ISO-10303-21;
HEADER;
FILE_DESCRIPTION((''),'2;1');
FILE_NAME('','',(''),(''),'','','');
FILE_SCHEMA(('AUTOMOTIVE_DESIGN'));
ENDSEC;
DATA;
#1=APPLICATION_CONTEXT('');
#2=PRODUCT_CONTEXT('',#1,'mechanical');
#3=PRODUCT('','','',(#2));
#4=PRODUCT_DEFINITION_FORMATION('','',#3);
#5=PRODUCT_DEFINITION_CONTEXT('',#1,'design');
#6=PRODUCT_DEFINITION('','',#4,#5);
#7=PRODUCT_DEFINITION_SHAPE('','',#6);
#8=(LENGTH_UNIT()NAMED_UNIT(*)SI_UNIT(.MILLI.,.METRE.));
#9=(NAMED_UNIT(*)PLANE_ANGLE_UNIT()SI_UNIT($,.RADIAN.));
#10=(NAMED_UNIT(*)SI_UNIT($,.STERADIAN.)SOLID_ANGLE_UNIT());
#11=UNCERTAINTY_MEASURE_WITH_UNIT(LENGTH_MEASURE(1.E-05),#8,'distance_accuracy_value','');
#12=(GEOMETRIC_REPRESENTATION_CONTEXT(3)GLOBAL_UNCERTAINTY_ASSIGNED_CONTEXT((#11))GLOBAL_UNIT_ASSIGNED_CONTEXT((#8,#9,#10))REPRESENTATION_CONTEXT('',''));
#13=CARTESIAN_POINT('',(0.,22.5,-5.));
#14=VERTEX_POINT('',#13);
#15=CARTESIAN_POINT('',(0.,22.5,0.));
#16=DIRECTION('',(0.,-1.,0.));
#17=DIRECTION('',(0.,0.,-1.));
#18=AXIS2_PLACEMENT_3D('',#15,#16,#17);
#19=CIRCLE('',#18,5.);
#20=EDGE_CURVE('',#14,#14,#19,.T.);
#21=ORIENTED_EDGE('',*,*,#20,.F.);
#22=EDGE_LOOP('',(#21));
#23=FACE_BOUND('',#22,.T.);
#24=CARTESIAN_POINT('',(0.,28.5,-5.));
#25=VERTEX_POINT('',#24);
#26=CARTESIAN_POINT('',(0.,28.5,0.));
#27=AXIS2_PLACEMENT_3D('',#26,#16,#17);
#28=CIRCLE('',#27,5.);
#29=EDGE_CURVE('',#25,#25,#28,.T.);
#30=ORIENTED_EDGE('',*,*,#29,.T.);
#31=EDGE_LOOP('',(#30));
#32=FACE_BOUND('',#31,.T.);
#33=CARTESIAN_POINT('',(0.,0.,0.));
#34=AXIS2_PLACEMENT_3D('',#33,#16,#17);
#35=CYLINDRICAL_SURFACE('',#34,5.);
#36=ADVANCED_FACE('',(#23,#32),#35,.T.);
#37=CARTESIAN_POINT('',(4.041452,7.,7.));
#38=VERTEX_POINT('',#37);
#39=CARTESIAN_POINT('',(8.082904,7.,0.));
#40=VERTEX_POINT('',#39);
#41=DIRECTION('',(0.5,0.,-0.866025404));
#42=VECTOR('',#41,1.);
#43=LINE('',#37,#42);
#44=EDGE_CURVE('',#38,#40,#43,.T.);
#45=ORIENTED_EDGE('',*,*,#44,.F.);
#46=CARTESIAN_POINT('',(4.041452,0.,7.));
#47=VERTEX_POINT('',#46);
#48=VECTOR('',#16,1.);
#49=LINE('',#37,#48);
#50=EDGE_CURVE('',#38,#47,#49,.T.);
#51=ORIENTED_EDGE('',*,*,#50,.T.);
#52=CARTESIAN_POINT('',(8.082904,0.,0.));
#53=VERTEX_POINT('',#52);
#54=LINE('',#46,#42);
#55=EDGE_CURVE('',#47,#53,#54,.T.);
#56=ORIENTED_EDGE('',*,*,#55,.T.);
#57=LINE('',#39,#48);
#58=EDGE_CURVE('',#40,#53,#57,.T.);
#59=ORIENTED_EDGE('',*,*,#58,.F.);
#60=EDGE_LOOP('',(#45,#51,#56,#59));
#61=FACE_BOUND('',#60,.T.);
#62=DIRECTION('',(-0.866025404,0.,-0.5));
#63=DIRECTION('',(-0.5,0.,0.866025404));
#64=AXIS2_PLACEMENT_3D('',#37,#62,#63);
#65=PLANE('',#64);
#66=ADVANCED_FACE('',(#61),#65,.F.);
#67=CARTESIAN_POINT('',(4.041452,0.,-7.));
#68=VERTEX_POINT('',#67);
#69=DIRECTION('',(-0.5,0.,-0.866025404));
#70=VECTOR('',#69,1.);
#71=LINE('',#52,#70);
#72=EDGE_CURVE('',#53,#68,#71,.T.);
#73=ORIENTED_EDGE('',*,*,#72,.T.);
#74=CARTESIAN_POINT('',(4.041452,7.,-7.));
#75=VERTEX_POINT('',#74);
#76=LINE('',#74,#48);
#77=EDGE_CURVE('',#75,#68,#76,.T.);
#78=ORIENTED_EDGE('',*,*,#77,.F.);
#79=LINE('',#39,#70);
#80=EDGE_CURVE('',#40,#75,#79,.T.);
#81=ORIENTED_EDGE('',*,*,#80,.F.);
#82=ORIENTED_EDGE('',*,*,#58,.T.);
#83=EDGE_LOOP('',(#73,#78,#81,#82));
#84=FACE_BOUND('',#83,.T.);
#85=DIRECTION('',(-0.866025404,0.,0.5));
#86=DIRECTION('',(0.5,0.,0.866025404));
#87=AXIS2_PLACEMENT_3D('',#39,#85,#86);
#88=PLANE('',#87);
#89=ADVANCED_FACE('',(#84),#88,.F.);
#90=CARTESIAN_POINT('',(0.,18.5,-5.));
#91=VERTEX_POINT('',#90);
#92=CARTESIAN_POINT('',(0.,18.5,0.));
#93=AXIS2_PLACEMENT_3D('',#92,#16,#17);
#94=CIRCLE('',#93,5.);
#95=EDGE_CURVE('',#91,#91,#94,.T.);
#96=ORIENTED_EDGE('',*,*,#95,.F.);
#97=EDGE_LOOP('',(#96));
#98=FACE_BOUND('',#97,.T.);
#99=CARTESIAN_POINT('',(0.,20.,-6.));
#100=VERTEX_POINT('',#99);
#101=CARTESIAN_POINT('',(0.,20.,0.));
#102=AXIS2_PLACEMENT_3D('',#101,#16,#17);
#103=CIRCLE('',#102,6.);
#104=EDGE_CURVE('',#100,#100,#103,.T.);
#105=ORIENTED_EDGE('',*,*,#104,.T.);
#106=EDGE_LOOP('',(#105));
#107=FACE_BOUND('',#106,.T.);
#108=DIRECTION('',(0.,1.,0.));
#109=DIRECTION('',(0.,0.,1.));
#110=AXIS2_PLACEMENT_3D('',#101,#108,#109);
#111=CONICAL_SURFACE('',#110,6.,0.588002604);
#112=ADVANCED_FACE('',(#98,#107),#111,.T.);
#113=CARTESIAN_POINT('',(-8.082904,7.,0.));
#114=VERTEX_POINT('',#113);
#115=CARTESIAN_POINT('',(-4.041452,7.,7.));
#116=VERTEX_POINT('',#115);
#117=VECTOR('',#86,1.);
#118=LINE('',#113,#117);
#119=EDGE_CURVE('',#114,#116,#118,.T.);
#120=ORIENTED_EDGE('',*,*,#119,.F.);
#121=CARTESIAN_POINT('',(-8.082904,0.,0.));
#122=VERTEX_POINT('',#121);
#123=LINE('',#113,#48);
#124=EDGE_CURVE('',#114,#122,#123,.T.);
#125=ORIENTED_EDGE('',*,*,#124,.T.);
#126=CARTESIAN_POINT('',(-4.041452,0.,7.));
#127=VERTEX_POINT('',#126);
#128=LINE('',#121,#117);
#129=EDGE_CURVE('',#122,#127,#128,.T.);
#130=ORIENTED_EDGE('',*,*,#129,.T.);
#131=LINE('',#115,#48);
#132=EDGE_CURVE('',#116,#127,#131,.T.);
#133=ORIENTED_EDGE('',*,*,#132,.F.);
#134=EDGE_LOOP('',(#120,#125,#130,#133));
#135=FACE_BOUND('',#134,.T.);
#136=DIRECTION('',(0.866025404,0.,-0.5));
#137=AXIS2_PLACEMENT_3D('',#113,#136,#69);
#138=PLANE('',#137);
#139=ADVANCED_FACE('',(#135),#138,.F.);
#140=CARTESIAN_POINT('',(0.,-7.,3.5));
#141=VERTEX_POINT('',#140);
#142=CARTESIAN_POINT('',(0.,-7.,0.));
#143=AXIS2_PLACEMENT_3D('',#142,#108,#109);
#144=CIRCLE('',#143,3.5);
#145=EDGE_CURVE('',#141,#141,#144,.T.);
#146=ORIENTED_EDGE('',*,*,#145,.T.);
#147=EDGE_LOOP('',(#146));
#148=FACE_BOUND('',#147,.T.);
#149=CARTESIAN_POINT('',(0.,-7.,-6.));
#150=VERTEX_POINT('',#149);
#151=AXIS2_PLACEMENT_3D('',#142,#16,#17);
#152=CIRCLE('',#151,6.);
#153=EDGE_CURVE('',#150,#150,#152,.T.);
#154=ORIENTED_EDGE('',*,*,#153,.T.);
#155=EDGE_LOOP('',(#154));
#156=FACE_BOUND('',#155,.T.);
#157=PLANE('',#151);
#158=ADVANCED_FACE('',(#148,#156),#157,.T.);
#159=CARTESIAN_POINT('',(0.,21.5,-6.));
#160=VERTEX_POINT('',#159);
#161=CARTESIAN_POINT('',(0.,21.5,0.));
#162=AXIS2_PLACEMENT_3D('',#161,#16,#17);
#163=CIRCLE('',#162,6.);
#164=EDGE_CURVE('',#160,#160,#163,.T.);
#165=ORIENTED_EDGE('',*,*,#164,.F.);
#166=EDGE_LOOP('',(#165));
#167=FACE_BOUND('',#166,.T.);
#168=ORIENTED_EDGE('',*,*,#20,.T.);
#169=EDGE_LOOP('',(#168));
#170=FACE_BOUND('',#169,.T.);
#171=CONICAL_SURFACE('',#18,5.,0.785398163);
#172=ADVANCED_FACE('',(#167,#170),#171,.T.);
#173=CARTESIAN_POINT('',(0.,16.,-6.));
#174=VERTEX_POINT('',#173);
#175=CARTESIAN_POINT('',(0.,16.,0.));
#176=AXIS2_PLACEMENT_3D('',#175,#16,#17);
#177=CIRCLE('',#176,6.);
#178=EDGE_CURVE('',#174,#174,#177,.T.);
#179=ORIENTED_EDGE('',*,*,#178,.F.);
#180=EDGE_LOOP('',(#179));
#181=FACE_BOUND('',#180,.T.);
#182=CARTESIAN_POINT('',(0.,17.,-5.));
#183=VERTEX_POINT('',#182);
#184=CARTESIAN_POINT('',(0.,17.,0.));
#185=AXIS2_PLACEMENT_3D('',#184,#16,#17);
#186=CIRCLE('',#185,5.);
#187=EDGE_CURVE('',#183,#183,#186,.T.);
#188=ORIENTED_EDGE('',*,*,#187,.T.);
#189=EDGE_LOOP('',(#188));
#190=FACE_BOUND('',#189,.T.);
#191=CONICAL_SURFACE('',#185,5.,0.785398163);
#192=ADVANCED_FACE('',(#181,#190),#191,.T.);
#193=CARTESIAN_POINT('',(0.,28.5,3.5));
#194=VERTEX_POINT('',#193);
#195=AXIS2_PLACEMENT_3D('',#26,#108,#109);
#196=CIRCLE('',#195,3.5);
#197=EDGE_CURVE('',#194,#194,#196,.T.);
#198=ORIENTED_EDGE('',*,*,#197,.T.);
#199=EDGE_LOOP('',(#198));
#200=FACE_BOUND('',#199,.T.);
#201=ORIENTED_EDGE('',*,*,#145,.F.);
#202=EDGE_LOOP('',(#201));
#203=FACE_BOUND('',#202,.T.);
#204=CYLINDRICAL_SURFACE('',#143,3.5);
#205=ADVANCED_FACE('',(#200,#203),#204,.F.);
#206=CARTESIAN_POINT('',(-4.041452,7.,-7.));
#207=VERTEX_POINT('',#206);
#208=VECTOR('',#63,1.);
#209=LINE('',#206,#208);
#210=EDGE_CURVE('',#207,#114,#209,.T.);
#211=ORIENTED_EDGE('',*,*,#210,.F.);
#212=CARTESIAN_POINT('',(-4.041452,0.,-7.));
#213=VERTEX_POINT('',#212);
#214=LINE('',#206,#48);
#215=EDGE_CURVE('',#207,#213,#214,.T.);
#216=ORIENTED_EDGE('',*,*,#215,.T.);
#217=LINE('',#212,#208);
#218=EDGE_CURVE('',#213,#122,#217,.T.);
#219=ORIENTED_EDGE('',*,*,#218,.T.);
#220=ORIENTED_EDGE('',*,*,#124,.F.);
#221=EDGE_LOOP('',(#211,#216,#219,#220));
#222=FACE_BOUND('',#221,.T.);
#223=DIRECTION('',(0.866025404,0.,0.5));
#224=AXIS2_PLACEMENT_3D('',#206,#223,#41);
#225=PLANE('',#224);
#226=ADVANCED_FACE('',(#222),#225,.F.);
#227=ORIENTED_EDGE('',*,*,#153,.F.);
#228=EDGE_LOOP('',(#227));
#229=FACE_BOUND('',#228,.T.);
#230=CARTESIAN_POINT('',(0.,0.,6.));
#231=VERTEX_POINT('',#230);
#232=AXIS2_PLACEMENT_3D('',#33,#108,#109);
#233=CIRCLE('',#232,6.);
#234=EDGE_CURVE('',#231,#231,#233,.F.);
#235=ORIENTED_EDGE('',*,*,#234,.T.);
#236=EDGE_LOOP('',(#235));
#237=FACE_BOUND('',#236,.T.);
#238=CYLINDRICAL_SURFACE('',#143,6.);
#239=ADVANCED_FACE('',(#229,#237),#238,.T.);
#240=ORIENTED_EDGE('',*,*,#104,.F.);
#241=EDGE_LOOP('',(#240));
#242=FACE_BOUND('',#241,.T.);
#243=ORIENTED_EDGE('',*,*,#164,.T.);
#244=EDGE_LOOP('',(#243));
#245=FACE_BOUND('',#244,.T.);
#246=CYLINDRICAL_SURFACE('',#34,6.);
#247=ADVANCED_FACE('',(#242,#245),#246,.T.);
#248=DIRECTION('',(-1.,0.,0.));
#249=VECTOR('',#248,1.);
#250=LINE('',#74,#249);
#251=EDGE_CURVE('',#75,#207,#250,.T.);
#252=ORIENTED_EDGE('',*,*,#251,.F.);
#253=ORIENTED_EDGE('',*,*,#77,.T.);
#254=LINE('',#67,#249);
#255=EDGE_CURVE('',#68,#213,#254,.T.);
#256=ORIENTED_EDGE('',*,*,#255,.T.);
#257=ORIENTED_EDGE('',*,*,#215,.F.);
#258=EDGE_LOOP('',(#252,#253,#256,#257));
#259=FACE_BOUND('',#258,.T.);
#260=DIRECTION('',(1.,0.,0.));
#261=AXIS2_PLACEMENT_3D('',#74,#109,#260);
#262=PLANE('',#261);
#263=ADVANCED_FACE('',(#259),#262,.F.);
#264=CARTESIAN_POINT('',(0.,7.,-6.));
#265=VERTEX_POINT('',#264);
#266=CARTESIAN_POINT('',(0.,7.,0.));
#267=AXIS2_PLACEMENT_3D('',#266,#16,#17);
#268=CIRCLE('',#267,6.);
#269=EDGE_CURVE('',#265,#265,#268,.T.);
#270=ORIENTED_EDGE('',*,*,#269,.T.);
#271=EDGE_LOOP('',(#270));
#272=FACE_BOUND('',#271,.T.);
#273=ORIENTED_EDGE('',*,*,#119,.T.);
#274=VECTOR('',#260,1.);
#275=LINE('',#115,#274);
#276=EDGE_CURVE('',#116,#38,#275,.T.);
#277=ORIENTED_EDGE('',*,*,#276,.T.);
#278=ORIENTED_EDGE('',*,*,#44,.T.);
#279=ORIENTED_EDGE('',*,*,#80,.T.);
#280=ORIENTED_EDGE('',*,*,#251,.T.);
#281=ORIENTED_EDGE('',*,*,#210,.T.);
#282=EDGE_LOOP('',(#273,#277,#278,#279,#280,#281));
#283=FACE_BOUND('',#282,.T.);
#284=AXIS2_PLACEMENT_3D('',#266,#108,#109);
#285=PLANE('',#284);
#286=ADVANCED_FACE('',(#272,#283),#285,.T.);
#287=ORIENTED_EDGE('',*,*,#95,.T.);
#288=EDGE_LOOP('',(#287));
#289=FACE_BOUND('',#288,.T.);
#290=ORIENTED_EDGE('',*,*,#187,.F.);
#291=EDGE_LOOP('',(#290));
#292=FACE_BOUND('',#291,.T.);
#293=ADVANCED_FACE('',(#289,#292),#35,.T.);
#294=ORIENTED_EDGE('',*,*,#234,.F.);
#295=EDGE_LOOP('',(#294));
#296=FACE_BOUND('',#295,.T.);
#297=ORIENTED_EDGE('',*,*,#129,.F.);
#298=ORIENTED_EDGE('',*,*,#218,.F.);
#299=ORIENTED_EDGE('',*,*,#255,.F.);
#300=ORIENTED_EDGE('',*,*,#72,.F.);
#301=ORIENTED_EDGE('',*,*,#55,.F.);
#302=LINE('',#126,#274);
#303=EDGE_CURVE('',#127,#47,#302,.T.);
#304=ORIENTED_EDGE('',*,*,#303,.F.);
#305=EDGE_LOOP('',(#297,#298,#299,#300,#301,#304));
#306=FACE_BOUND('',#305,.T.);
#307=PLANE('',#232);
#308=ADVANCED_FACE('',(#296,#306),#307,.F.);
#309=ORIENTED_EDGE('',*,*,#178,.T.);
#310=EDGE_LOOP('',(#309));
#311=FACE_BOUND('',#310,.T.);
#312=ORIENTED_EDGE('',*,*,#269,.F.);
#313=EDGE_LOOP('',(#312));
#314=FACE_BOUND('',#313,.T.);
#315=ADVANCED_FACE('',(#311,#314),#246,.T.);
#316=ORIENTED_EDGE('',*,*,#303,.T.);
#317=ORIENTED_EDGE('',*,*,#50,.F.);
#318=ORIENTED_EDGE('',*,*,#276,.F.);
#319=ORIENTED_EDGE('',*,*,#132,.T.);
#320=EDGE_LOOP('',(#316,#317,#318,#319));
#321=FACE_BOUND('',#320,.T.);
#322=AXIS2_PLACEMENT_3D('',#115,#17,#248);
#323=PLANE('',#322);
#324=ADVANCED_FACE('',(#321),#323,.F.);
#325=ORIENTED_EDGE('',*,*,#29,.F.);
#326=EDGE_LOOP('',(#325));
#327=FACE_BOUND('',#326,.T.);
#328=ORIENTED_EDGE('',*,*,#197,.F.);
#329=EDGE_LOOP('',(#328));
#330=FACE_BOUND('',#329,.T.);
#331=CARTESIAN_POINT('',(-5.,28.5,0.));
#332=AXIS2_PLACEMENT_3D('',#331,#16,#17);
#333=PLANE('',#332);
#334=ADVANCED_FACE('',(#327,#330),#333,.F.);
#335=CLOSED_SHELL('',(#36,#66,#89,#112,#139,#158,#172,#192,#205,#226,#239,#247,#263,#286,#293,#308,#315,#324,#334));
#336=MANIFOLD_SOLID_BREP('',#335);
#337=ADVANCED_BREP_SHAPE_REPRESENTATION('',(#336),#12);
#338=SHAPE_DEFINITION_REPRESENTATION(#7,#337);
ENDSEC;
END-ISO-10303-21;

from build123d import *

# Parameters (mm, degrees)
AUFSATZ_LINEAR_AUSTRAGEN1_DEPTH = 7
SKIZZE4_R                       = 6
AUFSATZ_LINEAR_AUSTRAGEN3_DEPTH = 7
SKIZZE5_R                       = 3.5
SCHNITT_LINEAR_AUSTRAGEN1_DEPTH = 38.075373678


with BuildPart() as part:
    # Skizze1 → Aufsatz-Linear austragen1 (new body)
    with BuildSketch(Plane(origin=(0, 0, 0), x_dir=(1, 0, 0), z_dir=(0, 1, 0))):
        Polygon((8.082903769, 0), (4.041451884, 7), (-4.041451884, 7), (-8.082903769, 0), (-4.041451884, -7), (4.041451884, -7), align=None)
    extrude(amount=AUFSATZ_LINEAR_AUSTRAGEN1_DEPTH)

    # Skizze3 → Rotation1 (revolve)
    with BuildSketch(Plane.XY, mode=Mode.PRIVATE) as rotation1_sk:
        Polygon((0, 7), (-6, 7), (-6, 16), (-5, 17), (-5, 18.5), (-6, 20), (-6, 21.5), (-5, 22.5), (-5, 28.5), (0, 28.5), align=None)
    revolve(rotation1_sk.sketch.rotate(Axis((0, 0, 0), (0, 1, 0)), 270), axis=Axis((0, 0, 0), (0, 1, 0)))

    # Skizze4 → Aufsatz-Linear austragen3 (add)
    with BuildSketch(Plane.XZ):
        with Locations(Location((0, 0, 0), (0, 0, 270))):
            Circle(SKIZZE4_R)
    extrude(amount=AUFSATZ_LINEAR_AUSTRAGEN3_DEPTH)

    # Skizze5 → Schnitt-Linear austragen1 (cut, through all)
    with BuildSketch(Plane(origin=(0, 28.5, 0), x_dir=(1, 0, 0), z_dir=(0, 1, 0))):
        with Locations(Location((0, 0, 0), (0, 0, 270))):
            Circle(SKIZZE5_R)
    extrude(amount=-SCHNITT_LINEAR_AUSTRAGEN1_DEPTH, mode=Mode.SUBTRACT)


solid = part.part
